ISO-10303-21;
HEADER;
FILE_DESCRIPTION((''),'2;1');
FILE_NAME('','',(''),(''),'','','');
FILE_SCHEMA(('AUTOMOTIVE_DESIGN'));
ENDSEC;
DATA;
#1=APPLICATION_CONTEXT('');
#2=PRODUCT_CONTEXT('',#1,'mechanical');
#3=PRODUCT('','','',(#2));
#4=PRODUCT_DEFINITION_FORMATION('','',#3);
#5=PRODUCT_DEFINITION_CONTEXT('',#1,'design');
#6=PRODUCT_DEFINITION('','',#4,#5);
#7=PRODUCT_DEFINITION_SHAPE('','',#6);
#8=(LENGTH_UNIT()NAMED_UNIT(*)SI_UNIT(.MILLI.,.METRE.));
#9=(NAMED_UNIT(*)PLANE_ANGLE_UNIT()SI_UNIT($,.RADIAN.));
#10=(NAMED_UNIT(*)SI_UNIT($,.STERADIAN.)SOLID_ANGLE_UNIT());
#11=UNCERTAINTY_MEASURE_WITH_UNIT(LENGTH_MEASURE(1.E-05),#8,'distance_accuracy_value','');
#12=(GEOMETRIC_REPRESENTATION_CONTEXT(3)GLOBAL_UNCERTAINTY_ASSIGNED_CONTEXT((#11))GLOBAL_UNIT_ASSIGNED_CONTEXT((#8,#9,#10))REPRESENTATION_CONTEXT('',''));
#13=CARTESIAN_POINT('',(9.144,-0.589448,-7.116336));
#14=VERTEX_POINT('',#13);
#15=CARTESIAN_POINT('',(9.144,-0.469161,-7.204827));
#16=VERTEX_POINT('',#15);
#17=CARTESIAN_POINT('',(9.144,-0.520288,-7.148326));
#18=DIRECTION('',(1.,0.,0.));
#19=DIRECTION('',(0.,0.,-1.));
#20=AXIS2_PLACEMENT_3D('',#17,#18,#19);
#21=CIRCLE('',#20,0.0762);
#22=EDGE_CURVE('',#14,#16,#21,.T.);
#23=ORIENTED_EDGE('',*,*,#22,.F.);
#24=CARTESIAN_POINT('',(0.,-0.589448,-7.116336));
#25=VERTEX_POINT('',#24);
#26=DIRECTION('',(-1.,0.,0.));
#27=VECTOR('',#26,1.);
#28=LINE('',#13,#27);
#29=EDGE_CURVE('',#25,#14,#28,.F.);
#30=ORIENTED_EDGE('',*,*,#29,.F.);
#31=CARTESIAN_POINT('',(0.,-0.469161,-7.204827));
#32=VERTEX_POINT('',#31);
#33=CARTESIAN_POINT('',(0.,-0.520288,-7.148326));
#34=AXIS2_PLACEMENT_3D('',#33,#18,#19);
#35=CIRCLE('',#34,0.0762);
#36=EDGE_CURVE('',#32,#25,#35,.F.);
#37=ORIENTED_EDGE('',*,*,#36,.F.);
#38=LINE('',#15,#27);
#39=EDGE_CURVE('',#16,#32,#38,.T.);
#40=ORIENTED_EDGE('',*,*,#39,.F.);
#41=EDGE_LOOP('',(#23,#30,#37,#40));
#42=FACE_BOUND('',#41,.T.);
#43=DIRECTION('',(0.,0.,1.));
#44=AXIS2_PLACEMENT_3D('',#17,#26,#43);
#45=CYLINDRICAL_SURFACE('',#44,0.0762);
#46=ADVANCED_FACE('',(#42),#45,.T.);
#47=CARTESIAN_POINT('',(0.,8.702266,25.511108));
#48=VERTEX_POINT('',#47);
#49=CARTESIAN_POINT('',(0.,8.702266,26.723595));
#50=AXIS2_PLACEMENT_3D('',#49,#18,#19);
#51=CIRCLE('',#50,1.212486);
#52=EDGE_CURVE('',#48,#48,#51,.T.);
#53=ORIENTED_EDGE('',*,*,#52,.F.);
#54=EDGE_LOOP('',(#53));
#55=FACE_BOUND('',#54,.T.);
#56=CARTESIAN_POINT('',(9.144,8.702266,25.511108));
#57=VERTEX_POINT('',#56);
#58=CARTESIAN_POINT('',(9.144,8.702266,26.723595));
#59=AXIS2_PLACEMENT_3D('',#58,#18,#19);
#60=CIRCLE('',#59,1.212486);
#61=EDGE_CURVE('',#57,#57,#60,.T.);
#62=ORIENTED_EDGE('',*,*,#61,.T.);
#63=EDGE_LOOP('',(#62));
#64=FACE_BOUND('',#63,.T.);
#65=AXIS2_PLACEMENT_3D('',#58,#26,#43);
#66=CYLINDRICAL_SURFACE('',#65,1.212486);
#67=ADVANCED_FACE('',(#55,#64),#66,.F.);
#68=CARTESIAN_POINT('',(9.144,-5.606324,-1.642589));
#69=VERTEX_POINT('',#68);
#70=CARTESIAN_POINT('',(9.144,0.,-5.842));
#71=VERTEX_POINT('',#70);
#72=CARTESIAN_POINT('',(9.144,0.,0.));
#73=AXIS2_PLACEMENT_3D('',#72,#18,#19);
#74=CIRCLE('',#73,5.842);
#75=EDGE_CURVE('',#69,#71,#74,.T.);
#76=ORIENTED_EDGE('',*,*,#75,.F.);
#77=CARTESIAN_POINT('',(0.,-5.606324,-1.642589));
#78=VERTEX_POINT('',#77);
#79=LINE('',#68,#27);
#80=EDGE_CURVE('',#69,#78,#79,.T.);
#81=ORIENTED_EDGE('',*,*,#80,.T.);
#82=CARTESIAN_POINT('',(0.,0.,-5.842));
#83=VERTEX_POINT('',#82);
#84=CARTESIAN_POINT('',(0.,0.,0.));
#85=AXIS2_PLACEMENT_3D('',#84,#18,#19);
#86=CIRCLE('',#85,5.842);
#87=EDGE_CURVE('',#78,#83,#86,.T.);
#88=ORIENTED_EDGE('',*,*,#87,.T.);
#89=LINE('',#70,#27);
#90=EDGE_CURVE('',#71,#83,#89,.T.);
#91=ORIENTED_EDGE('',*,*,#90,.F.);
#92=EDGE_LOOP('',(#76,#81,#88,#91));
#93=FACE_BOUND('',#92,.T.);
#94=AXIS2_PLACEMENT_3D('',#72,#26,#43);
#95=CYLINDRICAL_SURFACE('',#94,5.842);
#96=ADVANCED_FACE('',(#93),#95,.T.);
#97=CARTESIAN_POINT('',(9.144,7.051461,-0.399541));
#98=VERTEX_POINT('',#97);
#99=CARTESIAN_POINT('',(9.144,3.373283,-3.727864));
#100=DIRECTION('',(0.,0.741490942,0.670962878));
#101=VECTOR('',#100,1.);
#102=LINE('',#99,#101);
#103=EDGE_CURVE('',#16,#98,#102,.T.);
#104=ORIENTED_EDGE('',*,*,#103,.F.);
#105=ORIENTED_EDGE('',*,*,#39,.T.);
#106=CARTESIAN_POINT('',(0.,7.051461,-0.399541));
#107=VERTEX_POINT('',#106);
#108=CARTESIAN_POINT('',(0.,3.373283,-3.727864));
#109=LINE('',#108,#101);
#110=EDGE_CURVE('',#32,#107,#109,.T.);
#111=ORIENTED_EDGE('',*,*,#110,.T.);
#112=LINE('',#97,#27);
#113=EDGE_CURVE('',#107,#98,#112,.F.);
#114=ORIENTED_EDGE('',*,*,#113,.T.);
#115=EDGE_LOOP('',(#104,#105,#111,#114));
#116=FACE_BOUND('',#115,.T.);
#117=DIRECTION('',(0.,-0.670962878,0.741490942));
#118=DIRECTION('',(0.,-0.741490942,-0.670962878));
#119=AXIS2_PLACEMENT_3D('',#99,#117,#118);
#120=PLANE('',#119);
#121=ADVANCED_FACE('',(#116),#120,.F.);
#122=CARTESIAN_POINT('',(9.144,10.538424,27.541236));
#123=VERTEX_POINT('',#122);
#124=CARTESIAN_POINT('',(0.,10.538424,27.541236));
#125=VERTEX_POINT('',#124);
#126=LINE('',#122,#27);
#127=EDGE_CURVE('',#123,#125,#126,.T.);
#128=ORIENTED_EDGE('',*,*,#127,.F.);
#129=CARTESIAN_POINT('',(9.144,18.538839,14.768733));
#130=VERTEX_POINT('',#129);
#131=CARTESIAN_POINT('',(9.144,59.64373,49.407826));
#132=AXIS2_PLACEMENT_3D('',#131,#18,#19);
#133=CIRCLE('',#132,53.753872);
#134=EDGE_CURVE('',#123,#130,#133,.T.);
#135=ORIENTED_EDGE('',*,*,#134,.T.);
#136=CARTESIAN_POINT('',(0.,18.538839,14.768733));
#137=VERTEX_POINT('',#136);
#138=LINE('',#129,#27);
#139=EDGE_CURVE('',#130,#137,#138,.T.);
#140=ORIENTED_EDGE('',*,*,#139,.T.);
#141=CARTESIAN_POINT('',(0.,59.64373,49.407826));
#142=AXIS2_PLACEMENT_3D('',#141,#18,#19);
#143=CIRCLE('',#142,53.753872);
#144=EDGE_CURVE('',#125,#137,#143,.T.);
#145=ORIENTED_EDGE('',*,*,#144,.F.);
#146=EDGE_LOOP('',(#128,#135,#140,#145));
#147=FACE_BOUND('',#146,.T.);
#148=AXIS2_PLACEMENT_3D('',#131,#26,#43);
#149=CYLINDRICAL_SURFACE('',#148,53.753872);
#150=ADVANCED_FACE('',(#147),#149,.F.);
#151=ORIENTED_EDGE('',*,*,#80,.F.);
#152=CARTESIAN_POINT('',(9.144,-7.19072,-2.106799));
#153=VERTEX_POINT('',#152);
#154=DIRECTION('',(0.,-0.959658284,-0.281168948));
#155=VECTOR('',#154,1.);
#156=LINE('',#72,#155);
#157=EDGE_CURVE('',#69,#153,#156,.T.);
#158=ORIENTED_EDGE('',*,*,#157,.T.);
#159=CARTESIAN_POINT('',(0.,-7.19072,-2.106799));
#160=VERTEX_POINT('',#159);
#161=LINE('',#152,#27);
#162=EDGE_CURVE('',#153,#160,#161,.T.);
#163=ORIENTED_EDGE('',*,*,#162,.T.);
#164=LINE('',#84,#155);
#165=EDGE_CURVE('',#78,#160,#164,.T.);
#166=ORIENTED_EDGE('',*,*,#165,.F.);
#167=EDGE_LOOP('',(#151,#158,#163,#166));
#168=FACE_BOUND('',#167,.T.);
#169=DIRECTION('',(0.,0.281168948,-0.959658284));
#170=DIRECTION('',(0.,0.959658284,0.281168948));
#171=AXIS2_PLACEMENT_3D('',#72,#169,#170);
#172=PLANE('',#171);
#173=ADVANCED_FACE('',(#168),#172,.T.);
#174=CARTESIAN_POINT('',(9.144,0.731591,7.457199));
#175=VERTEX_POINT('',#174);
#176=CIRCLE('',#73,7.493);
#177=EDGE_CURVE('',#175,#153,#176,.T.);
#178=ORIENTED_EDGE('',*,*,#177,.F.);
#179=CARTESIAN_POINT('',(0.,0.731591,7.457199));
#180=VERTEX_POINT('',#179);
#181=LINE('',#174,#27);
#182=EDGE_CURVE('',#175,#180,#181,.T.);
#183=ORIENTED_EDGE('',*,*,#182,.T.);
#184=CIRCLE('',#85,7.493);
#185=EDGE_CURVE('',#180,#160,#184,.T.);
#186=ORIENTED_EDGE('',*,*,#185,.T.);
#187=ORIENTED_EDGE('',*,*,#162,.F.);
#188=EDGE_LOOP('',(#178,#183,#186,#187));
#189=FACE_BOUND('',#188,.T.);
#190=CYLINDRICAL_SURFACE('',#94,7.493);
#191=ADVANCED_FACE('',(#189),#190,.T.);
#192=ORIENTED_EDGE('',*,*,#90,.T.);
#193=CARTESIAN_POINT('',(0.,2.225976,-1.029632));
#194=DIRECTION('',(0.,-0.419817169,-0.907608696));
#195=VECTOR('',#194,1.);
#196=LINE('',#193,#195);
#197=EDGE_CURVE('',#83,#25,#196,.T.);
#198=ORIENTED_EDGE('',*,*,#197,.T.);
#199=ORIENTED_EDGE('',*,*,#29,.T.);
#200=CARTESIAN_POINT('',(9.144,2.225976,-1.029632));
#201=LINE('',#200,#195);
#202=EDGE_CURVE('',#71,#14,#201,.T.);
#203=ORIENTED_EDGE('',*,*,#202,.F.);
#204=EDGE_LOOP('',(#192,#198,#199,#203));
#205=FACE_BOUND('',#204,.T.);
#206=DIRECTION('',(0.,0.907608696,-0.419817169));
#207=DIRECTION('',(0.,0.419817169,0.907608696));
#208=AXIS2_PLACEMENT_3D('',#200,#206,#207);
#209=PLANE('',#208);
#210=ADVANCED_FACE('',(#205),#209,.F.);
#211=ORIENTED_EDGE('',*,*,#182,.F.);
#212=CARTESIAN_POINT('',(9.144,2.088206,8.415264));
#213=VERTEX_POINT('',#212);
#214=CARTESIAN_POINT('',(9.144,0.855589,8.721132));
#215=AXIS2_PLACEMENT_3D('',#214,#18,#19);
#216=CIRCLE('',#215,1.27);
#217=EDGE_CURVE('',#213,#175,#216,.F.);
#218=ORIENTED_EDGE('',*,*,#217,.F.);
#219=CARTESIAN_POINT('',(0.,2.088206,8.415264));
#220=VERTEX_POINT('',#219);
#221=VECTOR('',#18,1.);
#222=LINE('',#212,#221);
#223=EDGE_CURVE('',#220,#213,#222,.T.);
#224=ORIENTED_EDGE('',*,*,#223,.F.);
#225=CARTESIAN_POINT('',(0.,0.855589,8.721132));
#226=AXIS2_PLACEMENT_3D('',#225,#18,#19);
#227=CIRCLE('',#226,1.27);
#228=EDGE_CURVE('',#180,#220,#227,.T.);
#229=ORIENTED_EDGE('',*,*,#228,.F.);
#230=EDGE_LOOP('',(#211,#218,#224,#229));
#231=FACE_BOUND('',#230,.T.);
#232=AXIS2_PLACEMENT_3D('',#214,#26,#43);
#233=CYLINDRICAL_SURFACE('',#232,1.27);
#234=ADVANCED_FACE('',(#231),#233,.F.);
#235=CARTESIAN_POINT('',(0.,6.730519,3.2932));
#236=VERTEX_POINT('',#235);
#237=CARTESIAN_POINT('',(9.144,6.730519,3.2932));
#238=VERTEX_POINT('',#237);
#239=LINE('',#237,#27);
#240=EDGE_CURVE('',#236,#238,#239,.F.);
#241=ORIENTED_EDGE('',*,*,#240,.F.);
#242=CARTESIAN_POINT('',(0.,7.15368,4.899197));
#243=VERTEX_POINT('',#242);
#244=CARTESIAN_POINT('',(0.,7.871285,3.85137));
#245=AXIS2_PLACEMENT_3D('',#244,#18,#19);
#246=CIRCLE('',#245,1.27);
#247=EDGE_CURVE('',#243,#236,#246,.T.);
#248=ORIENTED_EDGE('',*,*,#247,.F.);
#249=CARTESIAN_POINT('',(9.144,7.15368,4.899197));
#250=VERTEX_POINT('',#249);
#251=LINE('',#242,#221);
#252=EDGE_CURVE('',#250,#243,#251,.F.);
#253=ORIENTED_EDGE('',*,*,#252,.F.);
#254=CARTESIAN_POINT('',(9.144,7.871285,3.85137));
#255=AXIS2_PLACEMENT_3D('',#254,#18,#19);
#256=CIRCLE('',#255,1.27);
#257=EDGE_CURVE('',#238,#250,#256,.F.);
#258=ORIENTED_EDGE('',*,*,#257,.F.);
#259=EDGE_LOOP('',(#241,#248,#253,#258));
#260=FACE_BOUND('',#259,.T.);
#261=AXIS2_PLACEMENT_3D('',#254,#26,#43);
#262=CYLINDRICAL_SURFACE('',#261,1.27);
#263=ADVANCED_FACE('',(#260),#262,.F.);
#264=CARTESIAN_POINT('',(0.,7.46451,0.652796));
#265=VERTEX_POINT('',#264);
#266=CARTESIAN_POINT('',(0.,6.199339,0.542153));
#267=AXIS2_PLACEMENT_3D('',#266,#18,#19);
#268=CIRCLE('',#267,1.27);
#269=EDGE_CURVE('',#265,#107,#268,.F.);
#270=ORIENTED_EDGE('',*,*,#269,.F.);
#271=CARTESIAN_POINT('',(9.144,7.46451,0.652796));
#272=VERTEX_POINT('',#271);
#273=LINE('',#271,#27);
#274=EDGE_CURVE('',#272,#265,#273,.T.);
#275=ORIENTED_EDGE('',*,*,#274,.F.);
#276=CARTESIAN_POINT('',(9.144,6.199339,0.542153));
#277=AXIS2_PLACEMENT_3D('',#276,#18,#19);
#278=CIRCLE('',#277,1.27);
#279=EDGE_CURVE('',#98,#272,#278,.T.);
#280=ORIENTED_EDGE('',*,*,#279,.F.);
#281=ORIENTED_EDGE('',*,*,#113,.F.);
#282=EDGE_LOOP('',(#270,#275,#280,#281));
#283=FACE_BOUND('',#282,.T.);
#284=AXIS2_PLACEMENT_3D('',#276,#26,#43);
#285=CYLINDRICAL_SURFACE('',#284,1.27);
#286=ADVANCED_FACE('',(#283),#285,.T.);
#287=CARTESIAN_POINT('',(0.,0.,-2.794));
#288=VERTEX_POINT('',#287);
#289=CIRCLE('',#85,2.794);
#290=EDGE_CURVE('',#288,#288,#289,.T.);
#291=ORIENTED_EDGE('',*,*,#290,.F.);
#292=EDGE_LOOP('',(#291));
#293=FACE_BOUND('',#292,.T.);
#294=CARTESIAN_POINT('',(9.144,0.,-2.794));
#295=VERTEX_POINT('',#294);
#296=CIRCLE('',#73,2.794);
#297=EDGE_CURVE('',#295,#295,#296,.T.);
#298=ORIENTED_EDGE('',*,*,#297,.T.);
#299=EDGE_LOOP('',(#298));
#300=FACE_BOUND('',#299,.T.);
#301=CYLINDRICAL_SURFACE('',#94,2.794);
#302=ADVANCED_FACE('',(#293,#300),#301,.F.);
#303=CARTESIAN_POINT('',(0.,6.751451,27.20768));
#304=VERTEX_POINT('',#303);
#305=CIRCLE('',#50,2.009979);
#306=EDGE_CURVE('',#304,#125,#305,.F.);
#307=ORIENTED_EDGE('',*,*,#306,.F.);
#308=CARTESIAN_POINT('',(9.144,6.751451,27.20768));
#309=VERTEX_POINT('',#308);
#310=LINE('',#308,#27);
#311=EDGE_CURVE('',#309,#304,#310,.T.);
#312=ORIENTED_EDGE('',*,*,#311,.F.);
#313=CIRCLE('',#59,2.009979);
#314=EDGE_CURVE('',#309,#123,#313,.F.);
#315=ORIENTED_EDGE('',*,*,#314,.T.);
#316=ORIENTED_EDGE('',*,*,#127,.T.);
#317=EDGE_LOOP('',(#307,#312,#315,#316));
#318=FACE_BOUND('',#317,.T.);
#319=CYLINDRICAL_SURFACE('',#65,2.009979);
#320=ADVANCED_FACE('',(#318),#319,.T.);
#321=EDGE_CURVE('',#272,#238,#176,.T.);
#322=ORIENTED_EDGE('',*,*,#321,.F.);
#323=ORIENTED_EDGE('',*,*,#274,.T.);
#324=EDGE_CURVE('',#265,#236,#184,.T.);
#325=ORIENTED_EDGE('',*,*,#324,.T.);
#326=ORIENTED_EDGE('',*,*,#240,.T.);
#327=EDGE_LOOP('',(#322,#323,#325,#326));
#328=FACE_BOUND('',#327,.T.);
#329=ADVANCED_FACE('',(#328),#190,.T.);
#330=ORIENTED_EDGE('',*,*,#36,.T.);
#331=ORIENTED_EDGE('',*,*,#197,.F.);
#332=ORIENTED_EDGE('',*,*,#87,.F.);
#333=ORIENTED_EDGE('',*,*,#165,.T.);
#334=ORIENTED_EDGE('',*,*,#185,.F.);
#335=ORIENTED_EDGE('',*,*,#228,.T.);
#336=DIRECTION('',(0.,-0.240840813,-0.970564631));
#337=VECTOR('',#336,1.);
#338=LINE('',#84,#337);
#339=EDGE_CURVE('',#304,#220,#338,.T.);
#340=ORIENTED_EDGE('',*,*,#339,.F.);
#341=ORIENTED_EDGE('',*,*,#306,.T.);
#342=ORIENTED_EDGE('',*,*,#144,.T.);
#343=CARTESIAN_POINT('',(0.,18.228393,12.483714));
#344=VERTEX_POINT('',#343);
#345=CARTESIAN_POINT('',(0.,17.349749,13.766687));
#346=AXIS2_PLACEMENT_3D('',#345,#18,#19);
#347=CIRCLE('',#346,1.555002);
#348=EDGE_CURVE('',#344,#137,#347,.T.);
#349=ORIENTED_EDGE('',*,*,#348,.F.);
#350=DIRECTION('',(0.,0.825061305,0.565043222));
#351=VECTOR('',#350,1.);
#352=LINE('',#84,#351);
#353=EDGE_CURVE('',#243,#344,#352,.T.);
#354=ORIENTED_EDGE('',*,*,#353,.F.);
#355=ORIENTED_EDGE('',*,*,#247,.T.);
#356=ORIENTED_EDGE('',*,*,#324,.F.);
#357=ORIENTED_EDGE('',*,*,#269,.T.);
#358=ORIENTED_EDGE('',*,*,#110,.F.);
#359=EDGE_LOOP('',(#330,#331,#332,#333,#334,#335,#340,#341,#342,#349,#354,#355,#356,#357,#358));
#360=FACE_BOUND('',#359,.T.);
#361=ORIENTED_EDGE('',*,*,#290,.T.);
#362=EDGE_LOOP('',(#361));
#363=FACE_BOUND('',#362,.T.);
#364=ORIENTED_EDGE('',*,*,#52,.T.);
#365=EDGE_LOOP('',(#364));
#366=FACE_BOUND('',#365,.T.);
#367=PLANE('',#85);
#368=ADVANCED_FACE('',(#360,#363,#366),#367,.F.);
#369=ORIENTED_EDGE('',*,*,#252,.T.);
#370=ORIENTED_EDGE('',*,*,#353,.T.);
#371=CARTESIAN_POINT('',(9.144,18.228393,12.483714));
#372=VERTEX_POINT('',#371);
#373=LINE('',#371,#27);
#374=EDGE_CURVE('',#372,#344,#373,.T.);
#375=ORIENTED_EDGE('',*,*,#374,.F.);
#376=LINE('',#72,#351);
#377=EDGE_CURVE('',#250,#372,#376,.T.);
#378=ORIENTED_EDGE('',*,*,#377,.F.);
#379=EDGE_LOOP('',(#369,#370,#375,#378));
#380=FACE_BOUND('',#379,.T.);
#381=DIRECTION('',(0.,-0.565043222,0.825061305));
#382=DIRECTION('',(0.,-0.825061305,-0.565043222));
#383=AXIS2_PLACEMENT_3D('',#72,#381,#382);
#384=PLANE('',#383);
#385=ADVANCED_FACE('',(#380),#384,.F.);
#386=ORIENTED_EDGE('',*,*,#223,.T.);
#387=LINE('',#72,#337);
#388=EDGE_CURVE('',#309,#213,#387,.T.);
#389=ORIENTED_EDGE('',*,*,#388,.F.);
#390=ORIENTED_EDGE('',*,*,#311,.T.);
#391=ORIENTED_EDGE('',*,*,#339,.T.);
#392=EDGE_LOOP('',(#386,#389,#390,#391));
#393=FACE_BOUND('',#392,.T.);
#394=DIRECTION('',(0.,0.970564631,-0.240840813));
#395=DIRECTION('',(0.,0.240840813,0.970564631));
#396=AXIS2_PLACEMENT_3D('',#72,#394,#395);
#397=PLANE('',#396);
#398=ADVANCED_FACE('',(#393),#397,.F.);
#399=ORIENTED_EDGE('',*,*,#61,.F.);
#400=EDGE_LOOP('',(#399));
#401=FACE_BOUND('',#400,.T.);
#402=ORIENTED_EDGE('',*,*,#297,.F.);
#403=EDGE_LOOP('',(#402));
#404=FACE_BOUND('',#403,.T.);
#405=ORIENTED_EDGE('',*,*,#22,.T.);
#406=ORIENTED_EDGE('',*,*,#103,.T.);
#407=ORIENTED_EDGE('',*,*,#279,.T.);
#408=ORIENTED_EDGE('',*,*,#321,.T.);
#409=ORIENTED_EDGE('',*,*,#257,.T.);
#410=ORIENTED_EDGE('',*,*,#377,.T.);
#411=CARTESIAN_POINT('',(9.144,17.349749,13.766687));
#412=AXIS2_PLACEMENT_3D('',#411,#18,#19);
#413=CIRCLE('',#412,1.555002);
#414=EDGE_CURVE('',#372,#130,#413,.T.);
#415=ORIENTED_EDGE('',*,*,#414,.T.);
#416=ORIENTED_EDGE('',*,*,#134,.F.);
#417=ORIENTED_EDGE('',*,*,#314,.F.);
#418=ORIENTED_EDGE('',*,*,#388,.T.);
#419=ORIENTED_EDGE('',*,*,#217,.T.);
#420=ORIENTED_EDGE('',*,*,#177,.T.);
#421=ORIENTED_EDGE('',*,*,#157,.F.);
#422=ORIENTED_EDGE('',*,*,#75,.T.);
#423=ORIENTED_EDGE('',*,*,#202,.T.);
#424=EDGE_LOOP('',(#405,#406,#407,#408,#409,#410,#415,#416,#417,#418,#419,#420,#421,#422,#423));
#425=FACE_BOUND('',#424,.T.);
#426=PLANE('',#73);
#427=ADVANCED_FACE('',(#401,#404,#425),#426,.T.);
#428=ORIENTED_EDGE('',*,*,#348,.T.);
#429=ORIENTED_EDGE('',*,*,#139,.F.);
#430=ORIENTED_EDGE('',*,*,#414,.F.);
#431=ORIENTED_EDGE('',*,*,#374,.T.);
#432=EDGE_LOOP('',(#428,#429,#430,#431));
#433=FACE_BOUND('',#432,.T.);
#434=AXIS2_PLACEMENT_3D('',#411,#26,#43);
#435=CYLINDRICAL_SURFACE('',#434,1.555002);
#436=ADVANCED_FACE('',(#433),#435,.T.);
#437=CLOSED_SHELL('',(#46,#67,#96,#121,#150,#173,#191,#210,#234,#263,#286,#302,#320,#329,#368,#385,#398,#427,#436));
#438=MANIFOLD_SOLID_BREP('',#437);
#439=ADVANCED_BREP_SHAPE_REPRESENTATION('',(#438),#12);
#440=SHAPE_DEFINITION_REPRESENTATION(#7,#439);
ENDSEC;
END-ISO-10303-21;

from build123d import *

# Parameters (mm, degrees)
SKETCH1_R           = 2.794
SKETCH1_R_2         = 1.212486465
BOSS_EXTRUDE1_DEPTH = 9.144
FILLET1_R           = 0.0762
FILLET2_R           = 1.27
FILLET3_R           = 1.27
FILLET4_R           = 1.27


with BuildPart() as part:
    # Sketch1 → Boss-Extrude1 (new body)
    with BuildSketch(Plane(origin=(0, 0, 0), x_dir=(0, 0, -1), z_dir=(1, 0, 0))):
        with BuildLine():
            Line((7.455728261, -0.746434927), (0, 7.493))
            ThreePointArc((0, 7.493), (-2.216071025, 7.157798419), (-4.23386886, 6.182184362))
            Line((-4.23386886, 6.182184362), (-12.48371449, 18.228392766))
            ThreePointArc((-12.48371449, 18.228392766), (-13.557344424, 18.890595677), (-14.768732641, 18.538839342))
            ThreePointArc((-14.768732641, 18.538839342), (-20.873202748, 14.088773121), (-27.541235985, 10.538424208))
            ThreePointArc((-27.541235985, 10.538424208), (-28.725821969, 8.525909619), (-27.207679666, 6.751451146))
            Line((-27.207679666, 6.751451146), (-7.27244078, 1.804620212))
            ThreePointArc((-7.27244078, 1.804620212), (-5.186520816, -5.407869342), (2.106798928, -7.190719524))
            Line((2.106798928, -7.190719524), (1.642588995, -5.606323697))
            ThreePointArc((1.642588995, -5.606323697), (4.675733574, -3.50235343), (5.842, 0))
            Line((5.842, 0), (7.455728261, -0.746434927))
        make_face()
        Circle(SKETCH1_R, mode=Mode.SUBTRACT)
        with Locations((-26.723594694, 8.702265656)):
            Circle(SKETCH1_R_2, mode=Mode.SUBTRACT)
    extrude(amount=BOSS_EXTRUDE1_DEPTH)

    # Fillet1
    fillet1_edges = [part.edges().sort_by_distance(p)[0] for p in [
        (4.572, -0.746434927, -7.455728261),
    ]]
    fillet(fillet1_edges, radius=FILLET1_R)

    # Fillet2
    fillet2_edges = [part.edges().sort_by_distance(p)[0] for p in [
        (4.572, 6.182184362, 4.23386886),
    ]]
    fillet(fillet2_edges, radius=FILLET2_R)

    # Fillet3
    fillet3_edges = [part.edges().sort_by_distance(p)[0] for p in [
        (4.572, 7.493, 0),
    ]]
    fillet(fillet3_edges, radius=FILLET3_R)

    # Fillet4
    fillet4_edges = [part.edges().sort_by_distance(p)[0] for p in [
        (4.572, 1.804620212, 7.27244078),
    ]]
    fillet(fillet4_edges, radius=FILLET4_R)


solid = part.part
